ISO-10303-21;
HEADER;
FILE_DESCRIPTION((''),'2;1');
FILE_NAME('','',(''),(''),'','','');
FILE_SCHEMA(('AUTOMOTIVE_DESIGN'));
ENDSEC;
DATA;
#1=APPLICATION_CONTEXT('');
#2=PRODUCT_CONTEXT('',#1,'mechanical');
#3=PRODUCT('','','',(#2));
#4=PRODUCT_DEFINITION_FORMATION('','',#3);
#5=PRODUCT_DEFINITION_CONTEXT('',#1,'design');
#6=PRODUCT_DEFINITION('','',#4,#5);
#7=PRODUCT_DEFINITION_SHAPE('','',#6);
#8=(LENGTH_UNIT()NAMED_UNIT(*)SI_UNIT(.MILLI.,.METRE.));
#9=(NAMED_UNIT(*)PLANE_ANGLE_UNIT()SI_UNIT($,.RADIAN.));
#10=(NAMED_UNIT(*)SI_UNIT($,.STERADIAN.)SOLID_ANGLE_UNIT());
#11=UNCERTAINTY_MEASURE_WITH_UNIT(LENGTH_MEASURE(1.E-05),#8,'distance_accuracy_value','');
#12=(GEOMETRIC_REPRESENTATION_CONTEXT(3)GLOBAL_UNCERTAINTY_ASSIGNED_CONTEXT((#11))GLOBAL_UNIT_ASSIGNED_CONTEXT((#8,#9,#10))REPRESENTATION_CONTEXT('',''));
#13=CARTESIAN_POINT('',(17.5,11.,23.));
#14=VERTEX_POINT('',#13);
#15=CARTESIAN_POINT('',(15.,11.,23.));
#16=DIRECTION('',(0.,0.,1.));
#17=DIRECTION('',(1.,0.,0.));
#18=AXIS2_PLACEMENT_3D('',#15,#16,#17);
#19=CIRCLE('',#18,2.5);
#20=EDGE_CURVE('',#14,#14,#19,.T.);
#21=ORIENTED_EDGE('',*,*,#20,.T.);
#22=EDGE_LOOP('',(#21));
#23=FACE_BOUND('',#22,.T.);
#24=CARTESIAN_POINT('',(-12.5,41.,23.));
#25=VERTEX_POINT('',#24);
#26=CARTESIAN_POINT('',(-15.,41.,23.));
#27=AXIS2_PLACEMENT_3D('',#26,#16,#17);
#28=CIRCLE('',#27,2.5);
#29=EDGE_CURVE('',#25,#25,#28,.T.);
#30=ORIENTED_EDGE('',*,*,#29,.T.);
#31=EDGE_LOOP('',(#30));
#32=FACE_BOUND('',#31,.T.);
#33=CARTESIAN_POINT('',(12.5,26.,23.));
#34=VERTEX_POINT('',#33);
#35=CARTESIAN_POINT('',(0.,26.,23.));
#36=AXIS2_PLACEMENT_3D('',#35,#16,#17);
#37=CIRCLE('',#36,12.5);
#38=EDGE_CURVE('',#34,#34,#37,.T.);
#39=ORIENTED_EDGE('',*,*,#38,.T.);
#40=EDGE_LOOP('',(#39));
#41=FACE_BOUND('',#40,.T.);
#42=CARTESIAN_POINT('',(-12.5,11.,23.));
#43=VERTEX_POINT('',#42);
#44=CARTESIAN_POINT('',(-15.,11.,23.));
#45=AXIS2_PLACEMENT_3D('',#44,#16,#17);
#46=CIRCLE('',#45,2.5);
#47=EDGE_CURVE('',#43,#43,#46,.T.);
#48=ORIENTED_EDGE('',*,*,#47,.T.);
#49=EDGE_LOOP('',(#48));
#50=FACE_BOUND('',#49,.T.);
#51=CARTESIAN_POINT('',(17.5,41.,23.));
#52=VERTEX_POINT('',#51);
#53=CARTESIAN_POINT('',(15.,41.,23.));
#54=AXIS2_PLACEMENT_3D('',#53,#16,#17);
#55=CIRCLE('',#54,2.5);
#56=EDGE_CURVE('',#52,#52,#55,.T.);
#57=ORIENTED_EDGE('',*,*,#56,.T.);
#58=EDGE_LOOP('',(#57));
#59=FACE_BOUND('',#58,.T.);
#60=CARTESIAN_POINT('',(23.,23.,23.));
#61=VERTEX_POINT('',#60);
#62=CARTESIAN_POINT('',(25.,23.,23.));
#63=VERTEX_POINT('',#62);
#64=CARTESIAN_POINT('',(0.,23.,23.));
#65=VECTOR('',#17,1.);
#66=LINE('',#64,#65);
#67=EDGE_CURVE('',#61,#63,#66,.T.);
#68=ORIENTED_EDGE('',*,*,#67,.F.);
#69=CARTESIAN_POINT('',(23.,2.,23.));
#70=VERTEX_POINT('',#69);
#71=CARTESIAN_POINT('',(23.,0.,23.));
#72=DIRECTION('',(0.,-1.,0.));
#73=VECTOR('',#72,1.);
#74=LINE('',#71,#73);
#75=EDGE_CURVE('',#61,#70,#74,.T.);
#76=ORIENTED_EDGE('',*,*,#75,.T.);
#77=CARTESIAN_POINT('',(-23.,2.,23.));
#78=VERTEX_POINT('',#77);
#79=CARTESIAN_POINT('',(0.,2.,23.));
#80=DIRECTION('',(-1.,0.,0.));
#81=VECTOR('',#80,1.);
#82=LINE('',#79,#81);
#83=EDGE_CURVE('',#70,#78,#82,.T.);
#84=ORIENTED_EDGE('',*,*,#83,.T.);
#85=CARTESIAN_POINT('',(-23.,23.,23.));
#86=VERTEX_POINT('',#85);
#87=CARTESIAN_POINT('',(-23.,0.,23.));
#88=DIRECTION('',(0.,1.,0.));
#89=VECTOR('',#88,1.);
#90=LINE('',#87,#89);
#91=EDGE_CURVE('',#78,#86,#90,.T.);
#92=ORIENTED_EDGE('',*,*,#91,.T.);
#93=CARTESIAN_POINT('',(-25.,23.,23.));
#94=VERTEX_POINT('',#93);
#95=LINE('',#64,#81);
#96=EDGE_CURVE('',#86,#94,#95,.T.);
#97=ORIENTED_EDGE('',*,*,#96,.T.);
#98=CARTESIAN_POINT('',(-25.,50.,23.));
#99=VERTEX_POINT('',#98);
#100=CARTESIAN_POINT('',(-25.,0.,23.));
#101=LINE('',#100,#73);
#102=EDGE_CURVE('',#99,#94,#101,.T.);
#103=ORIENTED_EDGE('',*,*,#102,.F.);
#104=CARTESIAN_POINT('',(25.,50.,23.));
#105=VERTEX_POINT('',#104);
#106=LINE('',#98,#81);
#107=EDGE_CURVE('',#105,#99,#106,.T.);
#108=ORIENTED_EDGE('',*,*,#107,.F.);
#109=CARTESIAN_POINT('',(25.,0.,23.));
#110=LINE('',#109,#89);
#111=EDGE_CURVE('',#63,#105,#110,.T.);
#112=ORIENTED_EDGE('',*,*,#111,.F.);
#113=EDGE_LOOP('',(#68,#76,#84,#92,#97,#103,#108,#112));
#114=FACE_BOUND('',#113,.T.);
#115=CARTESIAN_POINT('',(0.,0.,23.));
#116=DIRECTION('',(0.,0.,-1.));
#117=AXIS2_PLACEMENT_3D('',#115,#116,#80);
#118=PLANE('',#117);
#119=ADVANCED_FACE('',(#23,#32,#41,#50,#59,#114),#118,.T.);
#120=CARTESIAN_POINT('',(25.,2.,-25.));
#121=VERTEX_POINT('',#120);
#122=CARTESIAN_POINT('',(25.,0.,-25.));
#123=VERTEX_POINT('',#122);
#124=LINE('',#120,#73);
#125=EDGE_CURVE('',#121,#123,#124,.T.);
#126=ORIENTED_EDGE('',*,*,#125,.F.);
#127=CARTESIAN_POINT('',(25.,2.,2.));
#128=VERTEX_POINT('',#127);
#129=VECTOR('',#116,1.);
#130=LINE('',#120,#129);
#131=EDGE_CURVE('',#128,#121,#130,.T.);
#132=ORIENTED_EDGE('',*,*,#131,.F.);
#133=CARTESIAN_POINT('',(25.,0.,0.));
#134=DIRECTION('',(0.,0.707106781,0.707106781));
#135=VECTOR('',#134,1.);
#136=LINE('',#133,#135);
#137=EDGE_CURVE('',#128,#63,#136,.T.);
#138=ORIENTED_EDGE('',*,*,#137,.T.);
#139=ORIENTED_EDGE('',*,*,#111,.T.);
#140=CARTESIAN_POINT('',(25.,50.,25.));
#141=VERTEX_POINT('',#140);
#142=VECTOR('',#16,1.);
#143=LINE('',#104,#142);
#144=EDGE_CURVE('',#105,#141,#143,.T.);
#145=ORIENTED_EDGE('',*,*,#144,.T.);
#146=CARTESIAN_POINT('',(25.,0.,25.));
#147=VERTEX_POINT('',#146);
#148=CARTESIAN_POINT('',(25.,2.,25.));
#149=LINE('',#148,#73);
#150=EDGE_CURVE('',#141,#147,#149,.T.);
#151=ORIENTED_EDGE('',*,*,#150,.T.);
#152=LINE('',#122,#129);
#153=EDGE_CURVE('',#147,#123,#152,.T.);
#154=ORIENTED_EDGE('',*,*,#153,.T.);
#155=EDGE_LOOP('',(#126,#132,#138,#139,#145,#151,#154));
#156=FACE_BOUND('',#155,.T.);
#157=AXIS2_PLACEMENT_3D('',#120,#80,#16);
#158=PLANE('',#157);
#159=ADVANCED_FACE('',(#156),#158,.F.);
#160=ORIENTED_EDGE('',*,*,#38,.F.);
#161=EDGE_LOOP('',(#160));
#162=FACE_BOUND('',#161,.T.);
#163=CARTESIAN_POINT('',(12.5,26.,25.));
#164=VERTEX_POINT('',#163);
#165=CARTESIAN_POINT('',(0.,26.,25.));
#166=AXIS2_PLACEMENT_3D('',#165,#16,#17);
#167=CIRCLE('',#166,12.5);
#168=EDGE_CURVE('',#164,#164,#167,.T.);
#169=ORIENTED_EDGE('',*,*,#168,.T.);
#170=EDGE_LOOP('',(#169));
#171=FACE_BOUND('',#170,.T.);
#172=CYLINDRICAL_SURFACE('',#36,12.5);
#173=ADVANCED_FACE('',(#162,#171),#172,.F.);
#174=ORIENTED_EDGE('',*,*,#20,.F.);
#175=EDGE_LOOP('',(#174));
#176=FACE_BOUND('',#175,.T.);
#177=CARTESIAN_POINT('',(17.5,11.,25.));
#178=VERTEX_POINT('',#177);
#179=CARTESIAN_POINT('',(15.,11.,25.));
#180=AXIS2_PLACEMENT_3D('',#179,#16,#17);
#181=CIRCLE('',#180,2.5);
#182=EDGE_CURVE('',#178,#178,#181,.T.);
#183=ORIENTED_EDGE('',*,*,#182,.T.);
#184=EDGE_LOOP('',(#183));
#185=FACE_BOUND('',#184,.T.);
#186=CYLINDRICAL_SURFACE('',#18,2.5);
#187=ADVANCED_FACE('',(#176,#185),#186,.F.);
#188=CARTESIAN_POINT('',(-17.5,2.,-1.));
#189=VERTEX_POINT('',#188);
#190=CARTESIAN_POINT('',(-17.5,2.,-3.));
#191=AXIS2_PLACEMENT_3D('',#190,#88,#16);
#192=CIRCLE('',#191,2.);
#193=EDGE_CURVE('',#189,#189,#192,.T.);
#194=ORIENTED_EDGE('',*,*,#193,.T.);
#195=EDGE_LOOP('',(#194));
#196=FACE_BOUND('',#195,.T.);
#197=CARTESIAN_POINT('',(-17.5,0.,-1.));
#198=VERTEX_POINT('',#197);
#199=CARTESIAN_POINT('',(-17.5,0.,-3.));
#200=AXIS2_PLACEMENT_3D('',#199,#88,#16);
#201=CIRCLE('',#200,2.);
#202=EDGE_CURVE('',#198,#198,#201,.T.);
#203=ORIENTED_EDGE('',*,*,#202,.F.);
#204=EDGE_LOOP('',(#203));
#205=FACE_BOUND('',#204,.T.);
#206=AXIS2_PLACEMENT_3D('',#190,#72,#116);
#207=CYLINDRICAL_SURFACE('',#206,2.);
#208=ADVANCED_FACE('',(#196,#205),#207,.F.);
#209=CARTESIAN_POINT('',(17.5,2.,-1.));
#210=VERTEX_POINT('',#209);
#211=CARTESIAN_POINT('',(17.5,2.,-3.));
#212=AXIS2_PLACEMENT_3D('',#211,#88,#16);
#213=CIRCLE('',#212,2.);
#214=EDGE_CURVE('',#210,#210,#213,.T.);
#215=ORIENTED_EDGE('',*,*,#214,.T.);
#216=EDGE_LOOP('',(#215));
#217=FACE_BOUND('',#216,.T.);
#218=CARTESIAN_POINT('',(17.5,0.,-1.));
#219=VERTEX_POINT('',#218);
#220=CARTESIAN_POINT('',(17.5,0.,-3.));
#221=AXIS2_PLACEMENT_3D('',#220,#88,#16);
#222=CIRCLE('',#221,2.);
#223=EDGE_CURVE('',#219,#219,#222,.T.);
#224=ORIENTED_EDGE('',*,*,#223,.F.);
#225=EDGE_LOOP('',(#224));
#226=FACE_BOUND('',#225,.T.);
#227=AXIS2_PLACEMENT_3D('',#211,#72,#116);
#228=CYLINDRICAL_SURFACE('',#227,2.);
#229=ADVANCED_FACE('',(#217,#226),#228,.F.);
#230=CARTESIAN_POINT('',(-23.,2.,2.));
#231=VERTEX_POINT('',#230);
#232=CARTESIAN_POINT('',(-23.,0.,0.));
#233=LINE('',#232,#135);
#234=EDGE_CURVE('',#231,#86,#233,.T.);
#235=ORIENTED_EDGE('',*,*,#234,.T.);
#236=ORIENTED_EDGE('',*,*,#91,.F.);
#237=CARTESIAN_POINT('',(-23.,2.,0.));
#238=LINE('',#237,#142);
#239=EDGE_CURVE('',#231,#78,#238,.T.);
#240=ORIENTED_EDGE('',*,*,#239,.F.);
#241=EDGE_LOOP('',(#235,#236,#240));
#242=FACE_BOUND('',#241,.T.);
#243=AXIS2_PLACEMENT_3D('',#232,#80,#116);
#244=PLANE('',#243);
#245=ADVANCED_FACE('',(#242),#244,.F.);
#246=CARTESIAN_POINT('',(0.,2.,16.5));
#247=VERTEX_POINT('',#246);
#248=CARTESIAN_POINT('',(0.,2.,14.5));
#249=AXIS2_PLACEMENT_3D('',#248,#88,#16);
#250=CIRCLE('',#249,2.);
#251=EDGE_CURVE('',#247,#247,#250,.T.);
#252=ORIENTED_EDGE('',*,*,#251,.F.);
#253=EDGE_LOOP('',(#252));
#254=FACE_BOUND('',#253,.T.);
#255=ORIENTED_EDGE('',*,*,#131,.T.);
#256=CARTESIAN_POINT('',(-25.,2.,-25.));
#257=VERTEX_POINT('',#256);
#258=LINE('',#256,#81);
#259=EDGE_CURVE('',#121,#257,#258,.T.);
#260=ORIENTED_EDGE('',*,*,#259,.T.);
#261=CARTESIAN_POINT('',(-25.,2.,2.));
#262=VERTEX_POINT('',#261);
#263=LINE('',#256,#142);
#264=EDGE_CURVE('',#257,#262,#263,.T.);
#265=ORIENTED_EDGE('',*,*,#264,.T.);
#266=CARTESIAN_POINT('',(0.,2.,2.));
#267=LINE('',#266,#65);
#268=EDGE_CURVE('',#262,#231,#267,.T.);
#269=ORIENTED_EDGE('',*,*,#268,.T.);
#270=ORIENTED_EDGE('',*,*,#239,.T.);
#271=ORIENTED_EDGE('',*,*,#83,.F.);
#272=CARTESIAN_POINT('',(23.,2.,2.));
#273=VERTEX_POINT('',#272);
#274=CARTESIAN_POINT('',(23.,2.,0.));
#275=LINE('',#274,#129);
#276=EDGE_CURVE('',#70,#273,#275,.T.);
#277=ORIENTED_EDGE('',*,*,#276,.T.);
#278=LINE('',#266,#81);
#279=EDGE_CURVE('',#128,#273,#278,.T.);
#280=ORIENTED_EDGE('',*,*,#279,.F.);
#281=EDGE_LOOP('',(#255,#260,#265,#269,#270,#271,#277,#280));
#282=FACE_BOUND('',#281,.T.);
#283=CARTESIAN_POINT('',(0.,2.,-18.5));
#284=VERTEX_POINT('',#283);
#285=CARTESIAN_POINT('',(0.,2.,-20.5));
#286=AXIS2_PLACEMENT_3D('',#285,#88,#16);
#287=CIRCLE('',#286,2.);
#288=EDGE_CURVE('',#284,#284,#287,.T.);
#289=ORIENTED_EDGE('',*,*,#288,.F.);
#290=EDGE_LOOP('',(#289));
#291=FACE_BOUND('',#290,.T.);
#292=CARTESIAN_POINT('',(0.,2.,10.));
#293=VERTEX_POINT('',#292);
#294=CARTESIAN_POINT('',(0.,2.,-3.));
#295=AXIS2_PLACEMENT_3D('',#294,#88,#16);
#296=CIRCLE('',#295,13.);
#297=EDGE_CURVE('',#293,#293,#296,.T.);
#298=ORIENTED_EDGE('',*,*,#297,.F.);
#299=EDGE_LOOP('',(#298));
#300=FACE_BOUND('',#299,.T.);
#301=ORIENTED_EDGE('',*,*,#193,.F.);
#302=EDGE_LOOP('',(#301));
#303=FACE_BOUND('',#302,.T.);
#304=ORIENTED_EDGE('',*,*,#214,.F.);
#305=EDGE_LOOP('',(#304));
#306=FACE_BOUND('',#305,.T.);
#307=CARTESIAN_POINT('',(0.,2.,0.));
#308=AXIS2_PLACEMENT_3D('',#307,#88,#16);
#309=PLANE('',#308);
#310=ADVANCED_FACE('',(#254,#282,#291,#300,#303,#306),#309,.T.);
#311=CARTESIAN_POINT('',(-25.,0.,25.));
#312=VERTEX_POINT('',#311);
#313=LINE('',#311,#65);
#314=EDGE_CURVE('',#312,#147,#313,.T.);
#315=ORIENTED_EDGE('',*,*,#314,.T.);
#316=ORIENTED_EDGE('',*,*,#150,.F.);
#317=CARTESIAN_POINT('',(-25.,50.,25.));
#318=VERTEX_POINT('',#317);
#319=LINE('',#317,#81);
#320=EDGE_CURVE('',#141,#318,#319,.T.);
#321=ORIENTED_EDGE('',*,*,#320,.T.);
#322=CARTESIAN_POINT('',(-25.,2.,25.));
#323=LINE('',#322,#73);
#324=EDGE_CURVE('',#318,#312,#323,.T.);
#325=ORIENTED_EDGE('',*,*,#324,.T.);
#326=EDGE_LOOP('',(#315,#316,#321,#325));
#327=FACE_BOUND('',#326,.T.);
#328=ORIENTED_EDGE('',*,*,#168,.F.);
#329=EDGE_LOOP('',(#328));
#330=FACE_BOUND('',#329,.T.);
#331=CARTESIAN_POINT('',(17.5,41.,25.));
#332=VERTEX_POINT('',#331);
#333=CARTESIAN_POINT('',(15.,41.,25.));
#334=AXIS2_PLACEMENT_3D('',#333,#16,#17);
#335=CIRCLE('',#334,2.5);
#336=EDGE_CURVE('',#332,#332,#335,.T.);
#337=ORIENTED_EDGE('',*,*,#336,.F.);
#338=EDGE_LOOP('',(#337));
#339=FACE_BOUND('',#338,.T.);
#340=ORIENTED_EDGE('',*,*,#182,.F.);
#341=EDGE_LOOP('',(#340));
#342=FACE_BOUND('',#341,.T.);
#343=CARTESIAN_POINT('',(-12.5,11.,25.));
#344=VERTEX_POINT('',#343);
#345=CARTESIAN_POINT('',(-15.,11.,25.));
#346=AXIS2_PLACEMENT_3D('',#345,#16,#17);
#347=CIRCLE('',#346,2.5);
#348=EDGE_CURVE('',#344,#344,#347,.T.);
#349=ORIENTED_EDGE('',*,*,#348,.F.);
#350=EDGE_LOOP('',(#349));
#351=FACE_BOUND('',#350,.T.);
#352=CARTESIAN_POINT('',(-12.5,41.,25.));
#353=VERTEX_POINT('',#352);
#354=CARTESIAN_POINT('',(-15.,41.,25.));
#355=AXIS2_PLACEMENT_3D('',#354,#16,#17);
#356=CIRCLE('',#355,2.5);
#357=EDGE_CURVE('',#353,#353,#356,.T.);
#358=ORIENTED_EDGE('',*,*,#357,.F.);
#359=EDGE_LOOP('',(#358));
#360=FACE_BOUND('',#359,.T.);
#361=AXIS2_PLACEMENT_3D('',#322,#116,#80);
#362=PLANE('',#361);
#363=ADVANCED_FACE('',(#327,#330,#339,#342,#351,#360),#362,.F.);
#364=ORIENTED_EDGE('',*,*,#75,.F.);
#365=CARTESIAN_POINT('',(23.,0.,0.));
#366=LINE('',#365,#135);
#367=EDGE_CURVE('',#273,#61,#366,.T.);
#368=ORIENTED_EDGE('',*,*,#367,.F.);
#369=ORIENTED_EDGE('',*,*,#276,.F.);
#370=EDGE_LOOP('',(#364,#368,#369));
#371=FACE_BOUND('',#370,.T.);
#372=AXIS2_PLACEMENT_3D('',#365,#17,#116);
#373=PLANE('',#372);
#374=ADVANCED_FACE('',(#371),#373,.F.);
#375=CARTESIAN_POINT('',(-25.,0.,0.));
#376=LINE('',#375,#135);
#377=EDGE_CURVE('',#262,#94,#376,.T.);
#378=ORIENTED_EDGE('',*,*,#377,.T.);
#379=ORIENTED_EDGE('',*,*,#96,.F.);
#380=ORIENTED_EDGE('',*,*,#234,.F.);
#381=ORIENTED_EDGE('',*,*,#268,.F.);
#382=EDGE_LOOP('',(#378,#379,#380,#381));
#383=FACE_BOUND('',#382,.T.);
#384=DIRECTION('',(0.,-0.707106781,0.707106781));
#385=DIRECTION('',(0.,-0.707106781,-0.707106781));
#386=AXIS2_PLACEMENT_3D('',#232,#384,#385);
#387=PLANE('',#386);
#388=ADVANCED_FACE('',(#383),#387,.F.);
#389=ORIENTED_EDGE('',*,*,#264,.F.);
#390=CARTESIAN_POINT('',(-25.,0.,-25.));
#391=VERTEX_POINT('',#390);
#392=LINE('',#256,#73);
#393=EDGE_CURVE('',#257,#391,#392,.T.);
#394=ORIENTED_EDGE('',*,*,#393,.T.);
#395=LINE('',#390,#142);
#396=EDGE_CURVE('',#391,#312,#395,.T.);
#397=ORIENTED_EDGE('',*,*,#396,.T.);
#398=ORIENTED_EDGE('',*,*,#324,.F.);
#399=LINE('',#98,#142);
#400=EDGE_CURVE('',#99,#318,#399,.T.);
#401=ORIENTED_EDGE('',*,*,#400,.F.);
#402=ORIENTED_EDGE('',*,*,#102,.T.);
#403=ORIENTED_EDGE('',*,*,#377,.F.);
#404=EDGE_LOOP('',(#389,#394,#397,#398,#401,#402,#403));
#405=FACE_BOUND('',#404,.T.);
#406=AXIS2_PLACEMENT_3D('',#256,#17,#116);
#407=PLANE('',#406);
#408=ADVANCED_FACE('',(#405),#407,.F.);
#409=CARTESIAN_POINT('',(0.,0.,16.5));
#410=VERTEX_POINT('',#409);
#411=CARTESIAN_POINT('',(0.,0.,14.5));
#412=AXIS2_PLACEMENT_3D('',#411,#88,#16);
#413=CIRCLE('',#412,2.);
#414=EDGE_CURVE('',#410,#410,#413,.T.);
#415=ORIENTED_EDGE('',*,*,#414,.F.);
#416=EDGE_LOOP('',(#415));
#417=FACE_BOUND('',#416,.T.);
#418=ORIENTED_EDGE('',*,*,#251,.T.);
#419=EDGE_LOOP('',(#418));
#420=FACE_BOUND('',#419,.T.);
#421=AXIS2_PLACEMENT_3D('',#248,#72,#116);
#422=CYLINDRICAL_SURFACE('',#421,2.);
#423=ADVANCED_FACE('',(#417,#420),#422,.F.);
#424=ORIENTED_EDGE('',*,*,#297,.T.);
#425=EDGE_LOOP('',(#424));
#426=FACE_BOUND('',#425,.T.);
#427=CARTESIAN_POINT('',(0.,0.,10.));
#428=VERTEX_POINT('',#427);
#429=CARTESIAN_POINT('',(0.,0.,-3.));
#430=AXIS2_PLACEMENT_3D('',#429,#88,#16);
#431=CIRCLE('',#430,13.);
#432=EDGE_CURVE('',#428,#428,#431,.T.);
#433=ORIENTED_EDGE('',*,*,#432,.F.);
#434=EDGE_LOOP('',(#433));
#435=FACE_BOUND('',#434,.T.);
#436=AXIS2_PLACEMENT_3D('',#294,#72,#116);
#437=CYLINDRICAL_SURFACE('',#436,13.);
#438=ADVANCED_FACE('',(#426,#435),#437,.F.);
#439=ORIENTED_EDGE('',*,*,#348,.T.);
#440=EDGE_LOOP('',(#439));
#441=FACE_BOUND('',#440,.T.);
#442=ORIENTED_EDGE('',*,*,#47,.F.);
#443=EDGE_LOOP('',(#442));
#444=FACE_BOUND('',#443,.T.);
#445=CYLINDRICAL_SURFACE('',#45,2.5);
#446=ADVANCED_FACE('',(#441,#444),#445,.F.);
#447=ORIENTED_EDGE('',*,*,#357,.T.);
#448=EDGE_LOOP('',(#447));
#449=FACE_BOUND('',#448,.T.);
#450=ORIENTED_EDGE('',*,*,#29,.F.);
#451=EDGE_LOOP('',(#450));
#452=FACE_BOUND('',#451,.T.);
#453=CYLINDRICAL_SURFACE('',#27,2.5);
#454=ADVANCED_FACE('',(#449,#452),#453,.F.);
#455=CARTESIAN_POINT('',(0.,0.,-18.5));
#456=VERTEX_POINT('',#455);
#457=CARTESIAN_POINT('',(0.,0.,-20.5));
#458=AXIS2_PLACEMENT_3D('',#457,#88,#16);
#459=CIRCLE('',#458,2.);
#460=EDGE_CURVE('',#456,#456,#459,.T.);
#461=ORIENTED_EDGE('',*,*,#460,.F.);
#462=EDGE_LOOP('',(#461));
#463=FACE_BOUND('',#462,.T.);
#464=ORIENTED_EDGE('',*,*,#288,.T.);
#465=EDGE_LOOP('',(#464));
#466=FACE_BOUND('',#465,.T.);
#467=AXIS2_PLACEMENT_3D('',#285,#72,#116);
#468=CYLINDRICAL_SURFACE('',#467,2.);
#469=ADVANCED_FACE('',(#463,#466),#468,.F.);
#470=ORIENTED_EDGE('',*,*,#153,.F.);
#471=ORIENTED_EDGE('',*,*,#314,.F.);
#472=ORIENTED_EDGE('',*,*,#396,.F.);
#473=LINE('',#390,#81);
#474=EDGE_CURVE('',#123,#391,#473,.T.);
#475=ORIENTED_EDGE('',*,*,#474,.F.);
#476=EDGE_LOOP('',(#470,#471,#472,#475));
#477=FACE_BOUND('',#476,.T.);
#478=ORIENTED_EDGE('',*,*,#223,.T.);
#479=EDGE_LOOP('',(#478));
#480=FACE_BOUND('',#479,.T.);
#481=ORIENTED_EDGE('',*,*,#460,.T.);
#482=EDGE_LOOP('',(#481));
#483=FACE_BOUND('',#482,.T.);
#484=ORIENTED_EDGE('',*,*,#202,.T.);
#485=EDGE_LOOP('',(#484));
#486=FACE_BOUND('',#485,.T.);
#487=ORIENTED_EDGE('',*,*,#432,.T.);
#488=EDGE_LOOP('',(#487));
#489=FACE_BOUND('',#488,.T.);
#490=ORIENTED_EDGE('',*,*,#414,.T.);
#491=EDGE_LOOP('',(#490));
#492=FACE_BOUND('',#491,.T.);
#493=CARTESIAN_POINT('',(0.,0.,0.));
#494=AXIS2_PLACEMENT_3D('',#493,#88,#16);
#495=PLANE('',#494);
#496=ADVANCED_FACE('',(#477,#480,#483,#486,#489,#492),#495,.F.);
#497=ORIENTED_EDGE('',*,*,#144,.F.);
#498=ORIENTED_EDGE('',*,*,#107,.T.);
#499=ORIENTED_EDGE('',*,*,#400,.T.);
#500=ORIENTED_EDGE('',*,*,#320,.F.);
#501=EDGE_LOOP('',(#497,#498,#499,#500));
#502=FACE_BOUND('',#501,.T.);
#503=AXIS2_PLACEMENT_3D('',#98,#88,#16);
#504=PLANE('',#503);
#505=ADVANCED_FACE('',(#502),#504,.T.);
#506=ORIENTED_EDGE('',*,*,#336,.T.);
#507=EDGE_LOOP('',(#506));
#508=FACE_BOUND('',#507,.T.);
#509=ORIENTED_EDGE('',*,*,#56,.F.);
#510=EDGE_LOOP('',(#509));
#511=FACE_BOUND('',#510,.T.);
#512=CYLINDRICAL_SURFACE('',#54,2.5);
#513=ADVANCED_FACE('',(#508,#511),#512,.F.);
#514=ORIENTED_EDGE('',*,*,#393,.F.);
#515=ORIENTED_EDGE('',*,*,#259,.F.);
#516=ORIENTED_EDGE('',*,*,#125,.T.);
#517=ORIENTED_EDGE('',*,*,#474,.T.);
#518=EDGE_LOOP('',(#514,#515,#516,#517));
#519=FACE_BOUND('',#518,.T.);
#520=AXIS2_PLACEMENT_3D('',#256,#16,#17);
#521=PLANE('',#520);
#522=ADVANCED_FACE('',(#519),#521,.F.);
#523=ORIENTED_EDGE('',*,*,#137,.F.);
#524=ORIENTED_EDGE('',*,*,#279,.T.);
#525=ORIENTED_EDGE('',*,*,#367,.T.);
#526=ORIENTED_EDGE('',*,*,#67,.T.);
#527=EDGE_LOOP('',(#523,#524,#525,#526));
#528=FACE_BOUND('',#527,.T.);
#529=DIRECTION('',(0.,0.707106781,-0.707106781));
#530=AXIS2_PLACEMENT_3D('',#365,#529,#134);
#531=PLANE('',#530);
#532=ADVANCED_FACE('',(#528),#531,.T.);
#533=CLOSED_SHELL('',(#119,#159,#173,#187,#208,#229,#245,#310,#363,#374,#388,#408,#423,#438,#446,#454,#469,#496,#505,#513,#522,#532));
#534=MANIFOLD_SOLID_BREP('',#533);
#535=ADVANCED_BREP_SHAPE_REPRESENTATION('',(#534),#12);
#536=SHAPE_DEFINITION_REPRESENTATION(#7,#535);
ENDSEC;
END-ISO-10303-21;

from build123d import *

# Parameters (mm, degrees)
SKETCH_1_W      = 50
SKETCH_1_H      = 50
SKETCH_1_R      = 13
SKETCH_1_R_2    = 2
EXTRUDE_1_DEPTH = 2
SKETCH_2_W      = 50
SKETCH_2_H      = 50
SKETCH_2_R      = 12.5
SKETCH_2_R_2    = 2.5
EXTRUDE_2_DEPTH = 2
EXTRUDE_3_DEPTH = 2


with BuildPart() as part:
    # 草图1 → 凸台-拉伸1 (new body)
    with BuildSketch(Plane(origin=(0, 0, 0), x_dir=(1, 0, 0), z_dir=(0, 1, 0))):
        Rectangle(SKETCH_1_W, SKETCH_1_H)
        with Locations(Location((0, 3, 0), (0, 0, 270))):
            Circle(SKETCH_1_R, mode=Mode.SUBTRACT)
        with Locations(Location((0, 20.5, 0), (0, 0, 270))):
            Circle(SKETCH_1_R_2, mode=Mode.SUBTRACT)
        with Locations(Location((0, -14.5, 0), (0, 0, 270))):
            Circle(SKETCH_1_R_2, mode=Mode.SUBTRACT)
        with Locations(Location((17.5, 3, 0), (0, 0, 270))):
            Circle(SKETCH_1_R_2, mode=Mode.SUBTRACT)
        with Locations(Location((-17.5, 3, 0), (0, 0, 270))):
            Circle(SKETCH_1_R_2, mode=Mode.SUBTRACT)
    extrude(amount=EXTRUDE_1_DEPTH)

    # 草图2 → 凸台-拉伸2 (add)
    with BuildSketch(Plane.XY.offset(25)):
        with Locations((0, 25)):
            Rectangle(SKETCH_2_W, SKETCH_2_H)
        with Locations((0, 26)):
            Circle(SKETCH_2_R, mode=Mode.SUBTRACT)
        with Locations((-15, 41)):
            Circle(SKETCH_2_R_2, mode=Mode.SUBTRACT)
        with Locations((15, 41)):
            Circle(SKETCH_2_R_2, mode=Mode.SUBTRACT)
        with Locations((15, 11)):
            Circle(SKETCH_2_R_2, mode=Mode.SUBTRACT)
        with Locations((-15, 11)):
            Circle(SKETCH_2_R_2, mode=Mode.SUBTRACT)
    extrude(amount=-EXTRUDE_2_DEPTH)

    # 草图3 → 凸台-拉伸3 (add)
    with BuildSketch(Plane(origin=(25, 0, 0), x_dir=(0, 0, -1), z_dir=(1, 0, 0))):
        Polygon((-25, 0), (0, 0), (-25, 25), align=None)
    extrude_3 = extrude(amount=-EXTRUDE_3_DEPTH)

    # 镜向2: 凸台-拉伸3 across plane
    add(extrude_3.mirror(Plane(origin=(0, 0, 0), x_dir=(0, 0, 1), z_dir=(1, 0, 0))))


solid = part.part
